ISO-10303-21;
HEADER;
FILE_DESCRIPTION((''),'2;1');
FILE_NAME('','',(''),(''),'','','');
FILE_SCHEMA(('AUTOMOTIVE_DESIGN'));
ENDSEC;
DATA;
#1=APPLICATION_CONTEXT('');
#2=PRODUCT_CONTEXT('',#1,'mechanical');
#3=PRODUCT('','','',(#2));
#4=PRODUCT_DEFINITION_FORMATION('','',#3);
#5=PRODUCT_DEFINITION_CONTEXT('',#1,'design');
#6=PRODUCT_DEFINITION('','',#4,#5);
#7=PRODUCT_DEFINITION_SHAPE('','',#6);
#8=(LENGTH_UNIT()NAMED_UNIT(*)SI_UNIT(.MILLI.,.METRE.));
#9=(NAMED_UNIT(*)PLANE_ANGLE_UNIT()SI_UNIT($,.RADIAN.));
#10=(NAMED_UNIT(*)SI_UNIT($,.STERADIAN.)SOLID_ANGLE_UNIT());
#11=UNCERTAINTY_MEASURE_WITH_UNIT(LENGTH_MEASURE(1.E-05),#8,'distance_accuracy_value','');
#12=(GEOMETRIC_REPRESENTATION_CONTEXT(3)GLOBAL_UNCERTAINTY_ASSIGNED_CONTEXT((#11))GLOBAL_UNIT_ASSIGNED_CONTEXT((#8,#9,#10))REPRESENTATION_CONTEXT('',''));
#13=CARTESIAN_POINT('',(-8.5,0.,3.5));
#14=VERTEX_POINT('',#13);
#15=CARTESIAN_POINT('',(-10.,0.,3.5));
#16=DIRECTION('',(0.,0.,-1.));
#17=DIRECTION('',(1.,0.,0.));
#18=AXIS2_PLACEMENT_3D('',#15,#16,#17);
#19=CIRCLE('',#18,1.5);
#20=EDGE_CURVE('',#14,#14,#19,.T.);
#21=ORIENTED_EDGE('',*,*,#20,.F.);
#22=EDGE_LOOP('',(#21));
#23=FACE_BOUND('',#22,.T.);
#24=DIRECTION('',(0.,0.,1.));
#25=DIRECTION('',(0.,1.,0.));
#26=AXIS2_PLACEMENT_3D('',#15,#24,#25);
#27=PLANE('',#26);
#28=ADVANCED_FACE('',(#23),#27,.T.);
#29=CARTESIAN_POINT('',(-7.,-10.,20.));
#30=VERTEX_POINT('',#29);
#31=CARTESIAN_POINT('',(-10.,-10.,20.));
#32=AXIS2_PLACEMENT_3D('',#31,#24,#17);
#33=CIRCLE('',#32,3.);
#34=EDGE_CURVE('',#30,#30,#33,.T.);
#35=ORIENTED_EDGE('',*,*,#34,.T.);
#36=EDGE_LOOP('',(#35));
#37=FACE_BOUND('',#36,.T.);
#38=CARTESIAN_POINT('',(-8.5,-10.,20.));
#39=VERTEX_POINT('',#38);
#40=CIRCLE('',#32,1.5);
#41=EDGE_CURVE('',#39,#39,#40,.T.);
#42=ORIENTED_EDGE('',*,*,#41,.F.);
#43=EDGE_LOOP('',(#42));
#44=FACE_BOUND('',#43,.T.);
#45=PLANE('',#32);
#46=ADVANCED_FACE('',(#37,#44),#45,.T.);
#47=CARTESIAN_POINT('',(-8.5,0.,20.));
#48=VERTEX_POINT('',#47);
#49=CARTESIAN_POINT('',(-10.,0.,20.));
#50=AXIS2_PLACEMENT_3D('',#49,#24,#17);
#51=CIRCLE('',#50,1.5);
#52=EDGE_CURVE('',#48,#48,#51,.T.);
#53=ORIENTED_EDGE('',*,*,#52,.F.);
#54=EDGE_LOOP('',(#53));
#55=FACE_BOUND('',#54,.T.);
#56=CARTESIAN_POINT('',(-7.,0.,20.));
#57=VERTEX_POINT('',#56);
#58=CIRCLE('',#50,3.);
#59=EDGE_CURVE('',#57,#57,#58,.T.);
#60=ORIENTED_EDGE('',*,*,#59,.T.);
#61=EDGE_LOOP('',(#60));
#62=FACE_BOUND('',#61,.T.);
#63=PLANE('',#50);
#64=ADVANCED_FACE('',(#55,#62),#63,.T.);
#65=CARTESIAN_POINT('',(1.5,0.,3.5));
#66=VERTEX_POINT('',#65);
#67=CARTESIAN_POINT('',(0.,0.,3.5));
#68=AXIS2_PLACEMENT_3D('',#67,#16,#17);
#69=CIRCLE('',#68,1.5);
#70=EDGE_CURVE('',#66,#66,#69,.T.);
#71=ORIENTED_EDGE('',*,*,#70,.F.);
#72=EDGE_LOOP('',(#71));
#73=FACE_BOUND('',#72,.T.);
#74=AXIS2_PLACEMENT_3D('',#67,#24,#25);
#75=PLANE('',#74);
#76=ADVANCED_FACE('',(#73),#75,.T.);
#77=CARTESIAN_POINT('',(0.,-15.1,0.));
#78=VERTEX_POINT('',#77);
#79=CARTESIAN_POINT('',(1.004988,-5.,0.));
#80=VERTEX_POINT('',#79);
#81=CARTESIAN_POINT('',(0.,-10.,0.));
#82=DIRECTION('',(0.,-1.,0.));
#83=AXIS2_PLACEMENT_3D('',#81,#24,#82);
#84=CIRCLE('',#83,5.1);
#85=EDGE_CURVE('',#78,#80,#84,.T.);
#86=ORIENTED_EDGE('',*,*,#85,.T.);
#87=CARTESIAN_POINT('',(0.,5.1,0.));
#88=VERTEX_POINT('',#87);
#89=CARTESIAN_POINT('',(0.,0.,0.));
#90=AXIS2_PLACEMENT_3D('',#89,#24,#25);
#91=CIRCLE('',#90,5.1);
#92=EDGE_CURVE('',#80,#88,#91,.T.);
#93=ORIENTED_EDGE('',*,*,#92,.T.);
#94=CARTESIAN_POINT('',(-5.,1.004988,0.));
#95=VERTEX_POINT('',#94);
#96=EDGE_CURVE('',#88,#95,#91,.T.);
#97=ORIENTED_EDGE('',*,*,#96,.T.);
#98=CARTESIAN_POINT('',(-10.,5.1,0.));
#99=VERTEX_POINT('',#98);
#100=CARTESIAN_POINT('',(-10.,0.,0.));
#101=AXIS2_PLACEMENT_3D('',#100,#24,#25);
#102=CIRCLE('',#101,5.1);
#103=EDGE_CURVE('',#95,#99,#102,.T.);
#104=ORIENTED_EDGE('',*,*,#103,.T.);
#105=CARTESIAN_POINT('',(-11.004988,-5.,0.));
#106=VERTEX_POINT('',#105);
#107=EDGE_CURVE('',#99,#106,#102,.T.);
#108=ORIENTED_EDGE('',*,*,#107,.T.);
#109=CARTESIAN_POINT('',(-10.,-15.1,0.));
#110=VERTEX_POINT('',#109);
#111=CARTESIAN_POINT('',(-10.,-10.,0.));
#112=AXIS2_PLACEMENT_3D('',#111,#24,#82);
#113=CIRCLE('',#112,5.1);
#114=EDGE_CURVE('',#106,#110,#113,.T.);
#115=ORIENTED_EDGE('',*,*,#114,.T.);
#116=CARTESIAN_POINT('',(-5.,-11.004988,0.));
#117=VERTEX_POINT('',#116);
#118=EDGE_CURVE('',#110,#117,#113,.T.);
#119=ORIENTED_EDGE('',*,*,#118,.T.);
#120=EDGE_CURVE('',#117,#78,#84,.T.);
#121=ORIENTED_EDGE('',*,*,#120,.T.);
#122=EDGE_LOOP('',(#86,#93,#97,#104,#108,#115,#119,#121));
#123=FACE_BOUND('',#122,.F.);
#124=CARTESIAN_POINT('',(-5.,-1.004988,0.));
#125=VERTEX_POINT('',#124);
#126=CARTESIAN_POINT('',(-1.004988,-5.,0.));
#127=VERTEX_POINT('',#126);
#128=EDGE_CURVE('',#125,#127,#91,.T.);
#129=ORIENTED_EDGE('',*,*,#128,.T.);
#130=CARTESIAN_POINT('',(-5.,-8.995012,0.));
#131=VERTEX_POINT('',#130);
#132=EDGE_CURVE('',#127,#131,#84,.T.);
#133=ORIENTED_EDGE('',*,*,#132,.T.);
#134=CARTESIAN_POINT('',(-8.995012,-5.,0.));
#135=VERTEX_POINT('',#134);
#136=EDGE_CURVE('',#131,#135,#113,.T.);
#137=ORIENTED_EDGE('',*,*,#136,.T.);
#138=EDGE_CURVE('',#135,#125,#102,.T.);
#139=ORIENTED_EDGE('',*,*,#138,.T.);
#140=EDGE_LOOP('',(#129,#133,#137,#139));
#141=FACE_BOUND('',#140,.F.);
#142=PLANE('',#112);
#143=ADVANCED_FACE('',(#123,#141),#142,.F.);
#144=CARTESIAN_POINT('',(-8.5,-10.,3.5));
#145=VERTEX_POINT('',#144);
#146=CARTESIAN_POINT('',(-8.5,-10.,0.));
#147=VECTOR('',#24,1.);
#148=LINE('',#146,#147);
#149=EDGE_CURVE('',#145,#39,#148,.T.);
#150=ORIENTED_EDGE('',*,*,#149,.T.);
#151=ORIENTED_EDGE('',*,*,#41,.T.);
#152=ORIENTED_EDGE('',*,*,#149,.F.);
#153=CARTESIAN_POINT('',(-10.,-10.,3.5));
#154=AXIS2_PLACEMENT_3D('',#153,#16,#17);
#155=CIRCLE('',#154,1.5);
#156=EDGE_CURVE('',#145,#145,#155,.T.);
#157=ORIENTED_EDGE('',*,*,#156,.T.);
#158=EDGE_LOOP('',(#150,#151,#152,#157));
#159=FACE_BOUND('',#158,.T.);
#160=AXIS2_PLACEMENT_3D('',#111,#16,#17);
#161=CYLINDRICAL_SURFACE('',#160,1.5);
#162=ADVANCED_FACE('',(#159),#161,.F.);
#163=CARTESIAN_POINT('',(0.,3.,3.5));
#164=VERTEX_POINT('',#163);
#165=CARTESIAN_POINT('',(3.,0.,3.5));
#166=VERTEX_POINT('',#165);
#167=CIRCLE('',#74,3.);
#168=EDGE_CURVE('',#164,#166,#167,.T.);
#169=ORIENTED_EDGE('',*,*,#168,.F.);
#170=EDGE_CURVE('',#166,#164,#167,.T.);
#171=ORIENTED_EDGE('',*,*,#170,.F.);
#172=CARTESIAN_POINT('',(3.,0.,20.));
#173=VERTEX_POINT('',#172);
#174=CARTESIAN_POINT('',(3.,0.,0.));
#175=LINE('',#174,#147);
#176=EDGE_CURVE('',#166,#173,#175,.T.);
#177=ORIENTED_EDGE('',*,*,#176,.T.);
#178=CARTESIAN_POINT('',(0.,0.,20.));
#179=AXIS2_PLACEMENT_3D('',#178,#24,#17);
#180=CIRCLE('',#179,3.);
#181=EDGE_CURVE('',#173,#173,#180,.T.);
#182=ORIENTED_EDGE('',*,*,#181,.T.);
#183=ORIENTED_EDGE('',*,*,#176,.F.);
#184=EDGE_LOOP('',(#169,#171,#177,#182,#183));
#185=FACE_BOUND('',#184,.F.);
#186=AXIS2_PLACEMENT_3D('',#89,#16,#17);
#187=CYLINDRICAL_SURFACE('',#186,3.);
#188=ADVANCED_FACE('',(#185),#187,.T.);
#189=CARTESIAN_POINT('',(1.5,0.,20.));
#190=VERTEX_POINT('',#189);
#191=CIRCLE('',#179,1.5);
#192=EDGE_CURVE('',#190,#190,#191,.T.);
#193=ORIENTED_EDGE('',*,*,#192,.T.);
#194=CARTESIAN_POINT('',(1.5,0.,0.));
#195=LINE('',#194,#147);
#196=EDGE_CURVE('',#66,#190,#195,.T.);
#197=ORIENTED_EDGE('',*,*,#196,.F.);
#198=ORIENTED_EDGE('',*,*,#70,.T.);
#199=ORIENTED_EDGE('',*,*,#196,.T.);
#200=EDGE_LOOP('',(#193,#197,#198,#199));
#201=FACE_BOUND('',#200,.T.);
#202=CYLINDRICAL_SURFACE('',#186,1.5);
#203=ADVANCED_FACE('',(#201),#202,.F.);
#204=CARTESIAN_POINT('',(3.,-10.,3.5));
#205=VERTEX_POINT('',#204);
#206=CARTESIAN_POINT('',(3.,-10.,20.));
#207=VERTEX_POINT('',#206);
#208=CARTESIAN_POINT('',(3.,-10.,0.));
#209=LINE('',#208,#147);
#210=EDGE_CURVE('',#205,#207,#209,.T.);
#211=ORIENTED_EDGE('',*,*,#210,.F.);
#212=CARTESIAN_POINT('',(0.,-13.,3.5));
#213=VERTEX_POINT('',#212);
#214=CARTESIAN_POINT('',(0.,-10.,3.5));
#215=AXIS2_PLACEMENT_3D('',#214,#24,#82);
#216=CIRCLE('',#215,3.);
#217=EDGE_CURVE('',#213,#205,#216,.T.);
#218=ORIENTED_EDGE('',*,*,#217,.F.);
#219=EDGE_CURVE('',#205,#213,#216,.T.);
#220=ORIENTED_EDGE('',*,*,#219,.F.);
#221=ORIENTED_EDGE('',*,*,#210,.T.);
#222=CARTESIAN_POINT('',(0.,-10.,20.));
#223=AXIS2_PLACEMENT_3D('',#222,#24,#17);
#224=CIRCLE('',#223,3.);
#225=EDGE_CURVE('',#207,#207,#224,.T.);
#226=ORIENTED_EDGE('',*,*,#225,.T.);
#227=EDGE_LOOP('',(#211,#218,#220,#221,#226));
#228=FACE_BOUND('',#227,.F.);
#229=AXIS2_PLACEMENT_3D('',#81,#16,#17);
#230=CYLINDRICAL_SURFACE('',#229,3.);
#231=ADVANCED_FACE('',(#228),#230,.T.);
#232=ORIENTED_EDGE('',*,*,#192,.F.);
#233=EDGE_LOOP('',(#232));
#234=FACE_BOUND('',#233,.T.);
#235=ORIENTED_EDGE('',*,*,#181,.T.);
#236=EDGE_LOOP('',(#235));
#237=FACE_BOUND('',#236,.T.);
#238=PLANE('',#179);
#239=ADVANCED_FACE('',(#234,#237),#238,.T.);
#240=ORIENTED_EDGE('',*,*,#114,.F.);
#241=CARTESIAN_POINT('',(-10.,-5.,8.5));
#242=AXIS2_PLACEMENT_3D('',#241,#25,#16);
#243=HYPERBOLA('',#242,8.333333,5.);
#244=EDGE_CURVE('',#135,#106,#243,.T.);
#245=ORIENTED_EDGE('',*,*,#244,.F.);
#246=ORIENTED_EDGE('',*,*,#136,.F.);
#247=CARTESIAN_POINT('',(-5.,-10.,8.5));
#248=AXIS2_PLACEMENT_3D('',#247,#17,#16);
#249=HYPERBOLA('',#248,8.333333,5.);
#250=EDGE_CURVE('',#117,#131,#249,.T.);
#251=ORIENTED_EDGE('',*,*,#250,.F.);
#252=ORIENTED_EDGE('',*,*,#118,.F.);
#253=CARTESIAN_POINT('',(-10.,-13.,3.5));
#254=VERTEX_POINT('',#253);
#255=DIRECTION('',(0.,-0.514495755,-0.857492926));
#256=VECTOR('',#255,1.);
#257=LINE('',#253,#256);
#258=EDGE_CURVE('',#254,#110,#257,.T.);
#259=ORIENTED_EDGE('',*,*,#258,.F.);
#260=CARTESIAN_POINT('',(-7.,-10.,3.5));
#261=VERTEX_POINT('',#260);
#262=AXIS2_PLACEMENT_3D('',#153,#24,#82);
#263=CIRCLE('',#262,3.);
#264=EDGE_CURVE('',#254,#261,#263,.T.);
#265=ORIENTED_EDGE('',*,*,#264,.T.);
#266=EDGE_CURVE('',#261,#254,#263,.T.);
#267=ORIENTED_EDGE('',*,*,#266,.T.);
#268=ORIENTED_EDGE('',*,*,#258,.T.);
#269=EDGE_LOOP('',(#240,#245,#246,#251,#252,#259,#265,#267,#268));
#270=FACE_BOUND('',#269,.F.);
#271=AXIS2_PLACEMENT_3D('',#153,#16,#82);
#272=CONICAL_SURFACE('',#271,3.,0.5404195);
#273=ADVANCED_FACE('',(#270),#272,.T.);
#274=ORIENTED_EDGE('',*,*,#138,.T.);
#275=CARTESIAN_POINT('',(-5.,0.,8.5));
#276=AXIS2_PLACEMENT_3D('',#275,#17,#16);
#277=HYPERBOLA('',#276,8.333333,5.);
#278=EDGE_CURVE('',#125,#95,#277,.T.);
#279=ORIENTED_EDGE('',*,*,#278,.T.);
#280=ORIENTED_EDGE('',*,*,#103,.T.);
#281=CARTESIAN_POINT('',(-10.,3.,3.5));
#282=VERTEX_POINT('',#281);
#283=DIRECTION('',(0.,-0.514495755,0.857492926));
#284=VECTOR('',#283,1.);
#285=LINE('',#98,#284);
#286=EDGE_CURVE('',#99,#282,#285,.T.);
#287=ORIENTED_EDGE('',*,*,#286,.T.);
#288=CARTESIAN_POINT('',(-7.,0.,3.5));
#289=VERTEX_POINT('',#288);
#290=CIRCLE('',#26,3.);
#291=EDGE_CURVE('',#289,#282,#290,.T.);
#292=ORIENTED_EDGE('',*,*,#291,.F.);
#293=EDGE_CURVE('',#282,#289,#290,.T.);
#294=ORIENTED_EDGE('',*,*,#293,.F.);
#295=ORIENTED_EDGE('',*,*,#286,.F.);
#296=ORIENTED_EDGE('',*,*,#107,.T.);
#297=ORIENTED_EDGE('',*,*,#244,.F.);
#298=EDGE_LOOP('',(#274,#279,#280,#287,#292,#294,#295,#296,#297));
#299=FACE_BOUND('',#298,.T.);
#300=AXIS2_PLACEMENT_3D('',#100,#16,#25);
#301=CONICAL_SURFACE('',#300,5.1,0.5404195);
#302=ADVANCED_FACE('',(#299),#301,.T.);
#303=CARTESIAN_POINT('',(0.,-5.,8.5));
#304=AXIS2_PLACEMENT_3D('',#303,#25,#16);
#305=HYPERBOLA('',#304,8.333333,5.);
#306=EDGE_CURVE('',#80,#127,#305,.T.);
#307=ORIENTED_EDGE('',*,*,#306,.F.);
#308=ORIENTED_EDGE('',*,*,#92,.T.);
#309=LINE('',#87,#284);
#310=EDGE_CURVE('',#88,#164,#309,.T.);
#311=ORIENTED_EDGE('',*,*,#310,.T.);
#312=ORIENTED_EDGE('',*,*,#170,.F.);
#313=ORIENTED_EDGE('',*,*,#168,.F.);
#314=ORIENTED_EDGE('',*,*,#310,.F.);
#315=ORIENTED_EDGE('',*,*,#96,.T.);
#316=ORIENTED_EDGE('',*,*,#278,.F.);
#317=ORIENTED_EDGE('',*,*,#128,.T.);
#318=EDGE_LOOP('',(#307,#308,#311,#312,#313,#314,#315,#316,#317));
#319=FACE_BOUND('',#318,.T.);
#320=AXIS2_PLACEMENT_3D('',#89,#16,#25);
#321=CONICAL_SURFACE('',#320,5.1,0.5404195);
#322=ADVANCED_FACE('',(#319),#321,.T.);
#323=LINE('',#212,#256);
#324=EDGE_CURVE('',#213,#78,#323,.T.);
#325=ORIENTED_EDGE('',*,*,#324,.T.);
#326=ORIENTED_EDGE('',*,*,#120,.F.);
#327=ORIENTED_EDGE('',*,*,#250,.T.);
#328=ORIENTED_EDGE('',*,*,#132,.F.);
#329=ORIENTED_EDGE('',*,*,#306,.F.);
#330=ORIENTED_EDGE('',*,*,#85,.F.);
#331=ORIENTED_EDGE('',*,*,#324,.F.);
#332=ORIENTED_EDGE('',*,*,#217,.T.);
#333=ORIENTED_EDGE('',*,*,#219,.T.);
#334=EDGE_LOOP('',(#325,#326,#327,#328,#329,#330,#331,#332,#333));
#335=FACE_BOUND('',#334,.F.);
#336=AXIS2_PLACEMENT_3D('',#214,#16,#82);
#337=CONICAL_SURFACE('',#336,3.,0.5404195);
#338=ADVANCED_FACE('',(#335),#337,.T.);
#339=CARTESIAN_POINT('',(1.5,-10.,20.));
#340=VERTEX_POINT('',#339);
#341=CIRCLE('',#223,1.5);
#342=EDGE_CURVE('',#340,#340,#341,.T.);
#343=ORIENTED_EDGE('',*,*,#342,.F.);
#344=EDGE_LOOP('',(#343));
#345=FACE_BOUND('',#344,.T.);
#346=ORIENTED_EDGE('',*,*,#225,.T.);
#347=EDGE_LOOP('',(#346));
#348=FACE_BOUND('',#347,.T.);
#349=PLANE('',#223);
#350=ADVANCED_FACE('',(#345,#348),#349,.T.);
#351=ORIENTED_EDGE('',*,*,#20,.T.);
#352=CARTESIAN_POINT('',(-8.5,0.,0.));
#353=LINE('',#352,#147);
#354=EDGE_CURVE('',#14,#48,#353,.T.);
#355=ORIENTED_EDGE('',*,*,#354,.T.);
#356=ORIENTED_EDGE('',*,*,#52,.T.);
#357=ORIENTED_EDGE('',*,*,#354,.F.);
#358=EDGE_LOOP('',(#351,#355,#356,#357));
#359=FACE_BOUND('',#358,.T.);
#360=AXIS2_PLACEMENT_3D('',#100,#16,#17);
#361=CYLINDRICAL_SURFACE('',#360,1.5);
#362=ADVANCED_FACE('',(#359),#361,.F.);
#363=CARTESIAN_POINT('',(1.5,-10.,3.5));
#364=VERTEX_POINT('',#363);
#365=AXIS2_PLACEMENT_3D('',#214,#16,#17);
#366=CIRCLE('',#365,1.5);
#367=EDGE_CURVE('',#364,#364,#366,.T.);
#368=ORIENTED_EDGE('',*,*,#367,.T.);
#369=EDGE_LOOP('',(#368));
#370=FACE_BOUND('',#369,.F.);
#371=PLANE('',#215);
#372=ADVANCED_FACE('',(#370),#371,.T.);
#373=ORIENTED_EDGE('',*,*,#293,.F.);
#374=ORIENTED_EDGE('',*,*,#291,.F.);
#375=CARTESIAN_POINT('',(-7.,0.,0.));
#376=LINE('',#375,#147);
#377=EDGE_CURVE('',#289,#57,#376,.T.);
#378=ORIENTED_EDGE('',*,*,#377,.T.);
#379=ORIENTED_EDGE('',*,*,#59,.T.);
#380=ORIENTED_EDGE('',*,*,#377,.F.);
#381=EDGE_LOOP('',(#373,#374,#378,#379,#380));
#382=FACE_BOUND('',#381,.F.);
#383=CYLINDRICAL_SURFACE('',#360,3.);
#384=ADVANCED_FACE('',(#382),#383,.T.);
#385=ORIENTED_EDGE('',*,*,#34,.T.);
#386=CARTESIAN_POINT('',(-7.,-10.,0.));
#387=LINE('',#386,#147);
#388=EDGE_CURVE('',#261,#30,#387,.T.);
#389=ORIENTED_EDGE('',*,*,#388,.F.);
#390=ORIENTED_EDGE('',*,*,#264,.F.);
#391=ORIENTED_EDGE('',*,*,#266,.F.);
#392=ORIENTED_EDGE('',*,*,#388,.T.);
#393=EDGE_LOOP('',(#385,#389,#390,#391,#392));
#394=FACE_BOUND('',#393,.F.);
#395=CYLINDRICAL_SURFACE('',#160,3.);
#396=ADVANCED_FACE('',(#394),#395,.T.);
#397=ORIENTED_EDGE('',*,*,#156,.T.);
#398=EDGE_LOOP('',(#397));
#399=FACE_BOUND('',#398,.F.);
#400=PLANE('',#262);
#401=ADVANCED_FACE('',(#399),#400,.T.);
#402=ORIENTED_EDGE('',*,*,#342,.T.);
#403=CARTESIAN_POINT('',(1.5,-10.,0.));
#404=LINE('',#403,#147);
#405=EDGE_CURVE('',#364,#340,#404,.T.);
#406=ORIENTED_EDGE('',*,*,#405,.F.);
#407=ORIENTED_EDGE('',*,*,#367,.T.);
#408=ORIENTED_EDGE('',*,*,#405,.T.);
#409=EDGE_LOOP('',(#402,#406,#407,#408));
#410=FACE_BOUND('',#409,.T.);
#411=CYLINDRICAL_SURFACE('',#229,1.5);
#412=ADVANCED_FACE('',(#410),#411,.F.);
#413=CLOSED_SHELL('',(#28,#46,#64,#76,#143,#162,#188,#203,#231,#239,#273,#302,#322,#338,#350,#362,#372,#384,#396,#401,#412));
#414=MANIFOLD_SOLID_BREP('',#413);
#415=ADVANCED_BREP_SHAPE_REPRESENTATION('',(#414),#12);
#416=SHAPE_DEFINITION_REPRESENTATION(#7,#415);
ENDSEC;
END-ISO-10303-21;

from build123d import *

# Parameters (mm, degrees)
F0_R     = 3
F0_R_2   = 1.5
F1_DEPTH = 20


with BuildPart() as f1:
    # F0 (on Top) → F1 (new body)
    with BuildSketch(Plane.XY):
        Circle(F0_R)
        Circle(F0_R_2, mode=Mode.SUBTRACT)
        with Locations((-10, 0)):
            Circle(F0_R)
        with Locations((-10, 0)):
            Circle(F0_R_2, mode=Mode.SUBTRACT)
        with Locations((-10, -10)):
            Circle(F0_R)
        with Locations((-10, -10)):
            Circle(F0_R_2, mode=Mode.SUBTRACT)
        with Locations((0, -10)):
            Circle(F0_R)
        with Locations((0, -10)):
            Circle(F0_R_2, mode=Mode.SUBTRACT)
    extrude(amount=F1_DEPTH)

    # F2 (on Right) → F3 (revolve)
    with BuildSketch(Plane.YZ):
        Polygon((0, 3.5), (0, 0), (5.1, 0), (3, 3.5), align=None)
    revolve(axis=Axis((0, 0, 1.75), (0, 0, 1)))

    # F2 (on Right) → F4 (revolve)
    with BuildSketch(Plane.YZ):
        Polygon((-15.1, 0), (-10, 0), (-10, 3.5), (-13, 3.5), align=None)
    revolve(axis=Axis((0, -10, 1.75), (0, 0, 1)))

    # F6 (on offset) → F7 (revolve)
    with BuildSketch(Plane.YZ.offset(-10)):
        Polygon((0, 3.5), (0, 0), (5.1, 0), (3, 3.5), align=None)
    revolve(axis=Axis((-10, 0, 1.75), (0, 0, 1)))

    # F6 (on offset) → F8 (revolve)
    with BuildSketch(Plane.YZ.offset(-10)):
        Polygon((-15.1, 0), (-10, 0), (-10, 3.5), (-13, 3.5), align=None)
    revolve(axis=Axis((-10, -10, 1.75), (0, 0, 1)))


solid = f1.part
